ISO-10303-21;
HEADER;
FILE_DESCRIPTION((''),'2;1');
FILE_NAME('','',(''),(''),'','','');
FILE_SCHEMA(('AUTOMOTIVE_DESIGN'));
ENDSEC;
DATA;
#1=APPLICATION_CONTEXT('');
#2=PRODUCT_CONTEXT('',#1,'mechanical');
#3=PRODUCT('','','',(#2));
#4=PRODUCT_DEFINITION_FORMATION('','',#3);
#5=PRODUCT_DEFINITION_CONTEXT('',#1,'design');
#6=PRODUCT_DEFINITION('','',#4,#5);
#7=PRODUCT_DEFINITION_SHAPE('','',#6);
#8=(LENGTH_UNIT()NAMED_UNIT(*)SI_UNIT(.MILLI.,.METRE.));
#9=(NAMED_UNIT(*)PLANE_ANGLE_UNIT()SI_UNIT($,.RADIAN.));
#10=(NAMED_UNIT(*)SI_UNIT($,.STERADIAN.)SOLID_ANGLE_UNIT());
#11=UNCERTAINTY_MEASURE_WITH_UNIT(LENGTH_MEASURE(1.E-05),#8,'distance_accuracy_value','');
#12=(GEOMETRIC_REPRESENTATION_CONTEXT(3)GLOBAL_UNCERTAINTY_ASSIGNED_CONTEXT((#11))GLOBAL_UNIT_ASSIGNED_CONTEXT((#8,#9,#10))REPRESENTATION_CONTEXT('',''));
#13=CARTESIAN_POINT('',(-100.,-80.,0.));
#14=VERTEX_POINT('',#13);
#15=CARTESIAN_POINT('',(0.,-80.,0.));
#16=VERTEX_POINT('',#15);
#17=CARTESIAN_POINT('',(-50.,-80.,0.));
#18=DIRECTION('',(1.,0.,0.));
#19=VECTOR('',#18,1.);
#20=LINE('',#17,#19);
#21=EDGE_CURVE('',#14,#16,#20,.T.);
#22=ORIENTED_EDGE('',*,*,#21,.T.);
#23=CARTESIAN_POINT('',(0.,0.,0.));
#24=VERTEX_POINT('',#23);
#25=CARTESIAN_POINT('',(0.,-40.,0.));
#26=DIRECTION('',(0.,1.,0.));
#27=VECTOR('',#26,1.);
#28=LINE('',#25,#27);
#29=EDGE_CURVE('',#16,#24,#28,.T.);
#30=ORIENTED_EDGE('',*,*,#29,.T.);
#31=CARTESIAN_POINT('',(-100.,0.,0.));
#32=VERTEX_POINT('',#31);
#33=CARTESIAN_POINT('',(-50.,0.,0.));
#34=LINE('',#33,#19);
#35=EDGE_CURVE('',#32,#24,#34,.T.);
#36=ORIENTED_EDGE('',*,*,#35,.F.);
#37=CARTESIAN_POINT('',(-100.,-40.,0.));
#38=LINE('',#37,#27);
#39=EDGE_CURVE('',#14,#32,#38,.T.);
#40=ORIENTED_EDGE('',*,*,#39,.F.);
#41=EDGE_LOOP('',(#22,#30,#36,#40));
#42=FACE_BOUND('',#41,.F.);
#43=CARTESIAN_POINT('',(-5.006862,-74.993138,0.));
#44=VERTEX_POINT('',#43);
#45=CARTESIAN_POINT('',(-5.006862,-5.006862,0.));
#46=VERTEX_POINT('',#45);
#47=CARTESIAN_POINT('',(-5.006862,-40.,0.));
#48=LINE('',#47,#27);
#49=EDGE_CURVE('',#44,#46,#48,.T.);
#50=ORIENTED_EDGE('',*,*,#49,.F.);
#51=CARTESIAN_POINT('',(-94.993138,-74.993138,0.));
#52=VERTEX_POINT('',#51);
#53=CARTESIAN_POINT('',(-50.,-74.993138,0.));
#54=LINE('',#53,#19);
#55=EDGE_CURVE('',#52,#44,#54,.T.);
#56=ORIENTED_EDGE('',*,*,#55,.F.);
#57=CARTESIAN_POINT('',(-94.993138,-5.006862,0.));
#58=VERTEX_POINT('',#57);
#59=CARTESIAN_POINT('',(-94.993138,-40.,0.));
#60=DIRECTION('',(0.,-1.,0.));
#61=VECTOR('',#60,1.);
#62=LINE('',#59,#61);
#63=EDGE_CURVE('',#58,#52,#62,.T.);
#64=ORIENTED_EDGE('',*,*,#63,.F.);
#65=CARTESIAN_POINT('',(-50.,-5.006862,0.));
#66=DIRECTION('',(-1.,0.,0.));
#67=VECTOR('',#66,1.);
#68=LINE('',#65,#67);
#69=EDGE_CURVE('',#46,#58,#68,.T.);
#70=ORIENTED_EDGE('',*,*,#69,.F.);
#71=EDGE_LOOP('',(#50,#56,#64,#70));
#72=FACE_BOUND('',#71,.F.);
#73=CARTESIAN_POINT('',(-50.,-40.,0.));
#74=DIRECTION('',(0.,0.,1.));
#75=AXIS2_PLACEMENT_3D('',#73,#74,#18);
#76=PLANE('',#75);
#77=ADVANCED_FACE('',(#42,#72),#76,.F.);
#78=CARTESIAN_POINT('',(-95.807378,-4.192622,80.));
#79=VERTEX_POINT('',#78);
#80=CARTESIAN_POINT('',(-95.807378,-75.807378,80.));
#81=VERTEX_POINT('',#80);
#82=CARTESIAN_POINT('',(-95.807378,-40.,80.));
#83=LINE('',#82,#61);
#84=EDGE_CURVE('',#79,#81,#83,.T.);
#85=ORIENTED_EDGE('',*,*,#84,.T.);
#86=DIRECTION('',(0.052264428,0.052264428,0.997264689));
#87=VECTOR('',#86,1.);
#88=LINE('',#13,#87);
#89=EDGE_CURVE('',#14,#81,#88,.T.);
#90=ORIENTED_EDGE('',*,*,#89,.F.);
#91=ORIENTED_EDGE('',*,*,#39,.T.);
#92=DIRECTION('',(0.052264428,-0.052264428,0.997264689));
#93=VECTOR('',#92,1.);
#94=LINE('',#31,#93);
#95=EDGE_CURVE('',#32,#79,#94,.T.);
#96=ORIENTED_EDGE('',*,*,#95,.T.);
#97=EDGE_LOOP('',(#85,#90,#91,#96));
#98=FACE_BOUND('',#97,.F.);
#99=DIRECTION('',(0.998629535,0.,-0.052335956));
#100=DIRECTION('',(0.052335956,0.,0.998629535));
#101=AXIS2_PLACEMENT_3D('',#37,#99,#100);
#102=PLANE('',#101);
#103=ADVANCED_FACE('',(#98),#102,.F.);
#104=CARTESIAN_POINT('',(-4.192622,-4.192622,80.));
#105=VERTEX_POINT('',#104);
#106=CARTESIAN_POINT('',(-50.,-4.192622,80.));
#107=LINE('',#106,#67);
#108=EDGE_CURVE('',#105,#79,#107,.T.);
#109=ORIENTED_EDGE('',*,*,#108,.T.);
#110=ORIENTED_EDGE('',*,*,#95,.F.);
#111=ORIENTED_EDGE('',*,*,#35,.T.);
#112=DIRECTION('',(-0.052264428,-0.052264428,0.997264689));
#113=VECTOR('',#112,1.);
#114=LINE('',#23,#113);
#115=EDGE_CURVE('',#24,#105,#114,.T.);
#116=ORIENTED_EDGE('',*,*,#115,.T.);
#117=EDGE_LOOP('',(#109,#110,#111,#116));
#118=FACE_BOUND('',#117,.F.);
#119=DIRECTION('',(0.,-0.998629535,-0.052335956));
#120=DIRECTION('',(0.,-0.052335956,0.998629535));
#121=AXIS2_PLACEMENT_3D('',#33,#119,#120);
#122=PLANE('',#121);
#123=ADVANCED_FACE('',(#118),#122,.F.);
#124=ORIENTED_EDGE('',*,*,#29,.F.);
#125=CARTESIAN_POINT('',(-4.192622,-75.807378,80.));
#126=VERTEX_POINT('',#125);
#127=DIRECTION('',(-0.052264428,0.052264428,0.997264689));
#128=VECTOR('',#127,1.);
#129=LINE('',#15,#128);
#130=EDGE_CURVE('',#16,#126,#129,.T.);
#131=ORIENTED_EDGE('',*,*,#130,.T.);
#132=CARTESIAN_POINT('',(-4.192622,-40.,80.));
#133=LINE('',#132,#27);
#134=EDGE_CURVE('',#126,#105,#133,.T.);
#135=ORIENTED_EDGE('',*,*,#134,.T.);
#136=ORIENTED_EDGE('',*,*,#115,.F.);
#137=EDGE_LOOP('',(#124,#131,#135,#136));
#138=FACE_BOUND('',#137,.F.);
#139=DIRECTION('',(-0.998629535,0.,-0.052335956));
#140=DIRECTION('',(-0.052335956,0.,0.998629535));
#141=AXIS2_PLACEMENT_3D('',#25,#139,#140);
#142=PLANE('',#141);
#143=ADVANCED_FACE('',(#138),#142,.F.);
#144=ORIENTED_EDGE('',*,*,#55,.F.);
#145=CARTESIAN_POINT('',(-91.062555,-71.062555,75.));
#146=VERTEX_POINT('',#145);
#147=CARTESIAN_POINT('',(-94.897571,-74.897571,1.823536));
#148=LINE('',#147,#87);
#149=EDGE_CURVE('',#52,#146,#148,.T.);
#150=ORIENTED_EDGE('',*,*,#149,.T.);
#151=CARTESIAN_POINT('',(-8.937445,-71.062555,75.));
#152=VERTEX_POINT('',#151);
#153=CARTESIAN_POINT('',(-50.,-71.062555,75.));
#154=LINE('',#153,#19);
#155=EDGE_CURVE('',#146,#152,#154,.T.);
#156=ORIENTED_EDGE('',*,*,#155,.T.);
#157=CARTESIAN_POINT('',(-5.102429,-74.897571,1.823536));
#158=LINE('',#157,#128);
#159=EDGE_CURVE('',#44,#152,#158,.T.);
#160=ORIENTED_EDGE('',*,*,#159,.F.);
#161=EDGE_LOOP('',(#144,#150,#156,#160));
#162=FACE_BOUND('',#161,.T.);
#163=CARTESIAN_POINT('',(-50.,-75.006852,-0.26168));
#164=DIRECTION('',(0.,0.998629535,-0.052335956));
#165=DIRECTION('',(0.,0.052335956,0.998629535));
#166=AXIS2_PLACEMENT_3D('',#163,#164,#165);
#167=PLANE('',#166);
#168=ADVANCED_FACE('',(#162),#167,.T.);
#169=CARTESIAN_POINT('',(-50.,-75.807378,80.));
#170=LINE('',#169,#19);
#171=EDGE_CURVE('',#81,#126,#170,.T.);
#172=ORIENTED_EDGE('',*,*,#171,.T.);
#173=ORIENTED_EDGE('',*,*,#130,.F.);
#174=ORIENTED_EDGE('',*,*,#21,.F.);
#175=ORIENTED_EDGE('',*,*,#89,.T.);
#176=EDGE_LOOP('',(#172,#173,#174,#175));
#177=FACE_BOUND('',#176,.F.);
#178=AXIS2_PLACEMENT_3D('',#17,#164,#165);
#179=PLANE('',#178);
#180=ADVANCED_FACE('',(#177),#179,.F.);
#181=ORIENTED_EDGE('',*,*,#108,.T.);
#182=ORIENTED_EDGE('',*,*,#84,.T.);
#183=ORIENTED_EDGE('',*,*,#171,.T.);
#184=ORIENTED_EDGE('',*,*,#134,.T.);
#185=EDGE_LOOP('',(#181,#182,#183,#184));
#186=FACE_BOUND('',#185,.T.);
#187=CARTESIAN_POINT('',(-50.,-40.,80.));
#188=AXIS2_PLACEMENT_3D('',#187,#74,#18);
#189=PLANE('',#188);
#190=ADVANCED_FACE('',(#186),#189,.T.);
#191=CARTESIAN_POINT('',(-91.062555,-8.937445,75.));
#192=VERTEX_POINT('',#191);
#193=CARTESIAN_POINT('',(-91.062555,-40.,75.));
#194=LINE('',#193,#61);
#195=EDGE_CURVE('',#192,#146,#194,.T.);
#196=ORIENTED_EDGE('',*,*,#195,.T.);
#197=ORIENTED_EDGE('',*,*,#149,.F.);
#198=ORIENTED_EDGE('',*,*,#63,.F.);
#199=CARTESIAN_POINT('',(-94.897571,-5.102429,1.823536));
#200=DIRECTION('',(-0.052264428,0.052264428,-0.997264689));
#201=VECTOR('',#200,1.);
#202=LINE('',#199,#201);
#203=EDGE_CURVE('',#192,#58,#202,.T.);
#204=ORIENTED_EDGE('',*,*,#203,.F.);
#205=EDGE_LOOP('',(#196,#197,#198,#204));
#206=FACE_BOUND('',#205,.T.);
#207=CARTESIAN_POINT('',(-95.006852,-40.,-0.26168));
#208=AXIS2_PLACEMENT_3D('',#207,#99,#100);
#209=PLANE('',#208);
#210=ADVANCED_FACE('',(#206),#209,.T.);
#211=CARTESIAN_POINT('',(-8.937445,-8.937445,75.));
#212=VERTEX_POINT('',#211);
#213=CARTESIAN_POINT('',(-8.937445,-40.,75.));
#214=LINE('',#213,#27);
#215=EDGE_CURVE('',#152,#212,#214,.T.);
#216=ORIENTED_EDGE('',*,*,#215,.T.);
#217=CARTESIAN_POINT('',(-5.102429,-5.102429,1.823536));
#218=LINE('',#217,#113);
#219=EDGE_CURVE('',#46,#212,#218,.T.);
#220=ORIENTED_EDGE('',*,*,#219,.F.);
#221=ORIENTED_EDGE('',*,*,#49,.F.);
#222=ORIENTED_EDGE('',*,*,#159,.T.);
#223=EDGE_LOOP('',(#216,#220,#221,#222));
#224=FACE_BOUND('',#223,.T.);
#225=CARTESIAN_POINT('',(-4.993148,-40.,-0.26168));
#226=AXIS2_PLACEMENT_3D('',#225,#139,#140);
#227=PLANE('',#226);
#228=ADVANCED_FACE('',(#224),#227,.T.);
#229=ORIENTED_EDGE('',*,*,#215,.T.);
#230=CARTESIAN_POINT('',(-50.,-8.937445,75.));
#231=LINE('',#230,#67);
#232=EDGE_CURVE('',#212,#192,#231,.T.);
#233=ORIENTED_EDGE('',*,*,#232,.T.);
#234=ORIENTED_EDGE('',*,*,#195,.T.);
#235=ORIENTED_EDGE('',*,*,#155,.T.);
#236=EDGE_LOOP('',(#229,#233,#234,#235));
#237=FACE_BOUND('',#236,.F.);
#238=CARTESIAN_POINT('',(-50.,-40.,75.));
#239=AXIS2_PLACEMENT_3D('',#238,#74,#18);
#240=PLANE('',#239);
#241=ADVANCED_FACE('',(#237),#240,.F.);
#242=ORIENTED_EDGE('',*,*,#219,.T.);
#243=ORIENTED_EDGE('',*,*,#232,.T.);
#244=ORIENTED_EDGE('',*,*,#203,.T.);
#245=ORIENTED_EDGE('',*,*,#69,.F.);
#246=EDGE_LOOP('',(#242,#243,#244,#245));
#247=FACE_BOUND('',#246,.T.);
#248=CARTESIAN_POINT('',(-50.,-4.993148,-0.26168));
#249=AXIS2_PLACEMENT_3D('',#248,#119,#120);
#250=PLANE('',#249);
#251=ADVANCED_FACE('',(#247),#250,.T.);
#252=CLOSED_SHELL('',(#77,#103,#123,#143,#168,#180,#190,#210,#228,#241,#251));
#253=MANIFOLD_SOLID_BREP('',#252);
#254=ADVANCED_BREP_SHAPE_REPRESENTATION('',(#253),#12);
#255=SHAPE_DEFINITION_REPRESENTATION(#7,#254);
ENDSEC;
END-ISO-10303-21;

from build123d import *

# Parameters (mm, degrees)
F0_W     = 100
F0_H     = 80
F1_DEPTH = 80
F1_TAPER = 3
F2_T     = -5


with BuildPart() as f1:
    # F0 (on Top) → F1 (new body)
    with BuildSketch(Plane.XY):
        with Locations((-50, -40)):
            Rectangle(F0_W, F0_H)
    extrude(amount=F1_DEPTH, taper=F1_TAPER)

    # F2
    f2_openings = [f1.faces().sort_by_distance(p)[0] for p in [
        (-50, -40, 0),
    ]]
    offset(amount=F2_T, openings=f2_openings)


solid = f1.part
